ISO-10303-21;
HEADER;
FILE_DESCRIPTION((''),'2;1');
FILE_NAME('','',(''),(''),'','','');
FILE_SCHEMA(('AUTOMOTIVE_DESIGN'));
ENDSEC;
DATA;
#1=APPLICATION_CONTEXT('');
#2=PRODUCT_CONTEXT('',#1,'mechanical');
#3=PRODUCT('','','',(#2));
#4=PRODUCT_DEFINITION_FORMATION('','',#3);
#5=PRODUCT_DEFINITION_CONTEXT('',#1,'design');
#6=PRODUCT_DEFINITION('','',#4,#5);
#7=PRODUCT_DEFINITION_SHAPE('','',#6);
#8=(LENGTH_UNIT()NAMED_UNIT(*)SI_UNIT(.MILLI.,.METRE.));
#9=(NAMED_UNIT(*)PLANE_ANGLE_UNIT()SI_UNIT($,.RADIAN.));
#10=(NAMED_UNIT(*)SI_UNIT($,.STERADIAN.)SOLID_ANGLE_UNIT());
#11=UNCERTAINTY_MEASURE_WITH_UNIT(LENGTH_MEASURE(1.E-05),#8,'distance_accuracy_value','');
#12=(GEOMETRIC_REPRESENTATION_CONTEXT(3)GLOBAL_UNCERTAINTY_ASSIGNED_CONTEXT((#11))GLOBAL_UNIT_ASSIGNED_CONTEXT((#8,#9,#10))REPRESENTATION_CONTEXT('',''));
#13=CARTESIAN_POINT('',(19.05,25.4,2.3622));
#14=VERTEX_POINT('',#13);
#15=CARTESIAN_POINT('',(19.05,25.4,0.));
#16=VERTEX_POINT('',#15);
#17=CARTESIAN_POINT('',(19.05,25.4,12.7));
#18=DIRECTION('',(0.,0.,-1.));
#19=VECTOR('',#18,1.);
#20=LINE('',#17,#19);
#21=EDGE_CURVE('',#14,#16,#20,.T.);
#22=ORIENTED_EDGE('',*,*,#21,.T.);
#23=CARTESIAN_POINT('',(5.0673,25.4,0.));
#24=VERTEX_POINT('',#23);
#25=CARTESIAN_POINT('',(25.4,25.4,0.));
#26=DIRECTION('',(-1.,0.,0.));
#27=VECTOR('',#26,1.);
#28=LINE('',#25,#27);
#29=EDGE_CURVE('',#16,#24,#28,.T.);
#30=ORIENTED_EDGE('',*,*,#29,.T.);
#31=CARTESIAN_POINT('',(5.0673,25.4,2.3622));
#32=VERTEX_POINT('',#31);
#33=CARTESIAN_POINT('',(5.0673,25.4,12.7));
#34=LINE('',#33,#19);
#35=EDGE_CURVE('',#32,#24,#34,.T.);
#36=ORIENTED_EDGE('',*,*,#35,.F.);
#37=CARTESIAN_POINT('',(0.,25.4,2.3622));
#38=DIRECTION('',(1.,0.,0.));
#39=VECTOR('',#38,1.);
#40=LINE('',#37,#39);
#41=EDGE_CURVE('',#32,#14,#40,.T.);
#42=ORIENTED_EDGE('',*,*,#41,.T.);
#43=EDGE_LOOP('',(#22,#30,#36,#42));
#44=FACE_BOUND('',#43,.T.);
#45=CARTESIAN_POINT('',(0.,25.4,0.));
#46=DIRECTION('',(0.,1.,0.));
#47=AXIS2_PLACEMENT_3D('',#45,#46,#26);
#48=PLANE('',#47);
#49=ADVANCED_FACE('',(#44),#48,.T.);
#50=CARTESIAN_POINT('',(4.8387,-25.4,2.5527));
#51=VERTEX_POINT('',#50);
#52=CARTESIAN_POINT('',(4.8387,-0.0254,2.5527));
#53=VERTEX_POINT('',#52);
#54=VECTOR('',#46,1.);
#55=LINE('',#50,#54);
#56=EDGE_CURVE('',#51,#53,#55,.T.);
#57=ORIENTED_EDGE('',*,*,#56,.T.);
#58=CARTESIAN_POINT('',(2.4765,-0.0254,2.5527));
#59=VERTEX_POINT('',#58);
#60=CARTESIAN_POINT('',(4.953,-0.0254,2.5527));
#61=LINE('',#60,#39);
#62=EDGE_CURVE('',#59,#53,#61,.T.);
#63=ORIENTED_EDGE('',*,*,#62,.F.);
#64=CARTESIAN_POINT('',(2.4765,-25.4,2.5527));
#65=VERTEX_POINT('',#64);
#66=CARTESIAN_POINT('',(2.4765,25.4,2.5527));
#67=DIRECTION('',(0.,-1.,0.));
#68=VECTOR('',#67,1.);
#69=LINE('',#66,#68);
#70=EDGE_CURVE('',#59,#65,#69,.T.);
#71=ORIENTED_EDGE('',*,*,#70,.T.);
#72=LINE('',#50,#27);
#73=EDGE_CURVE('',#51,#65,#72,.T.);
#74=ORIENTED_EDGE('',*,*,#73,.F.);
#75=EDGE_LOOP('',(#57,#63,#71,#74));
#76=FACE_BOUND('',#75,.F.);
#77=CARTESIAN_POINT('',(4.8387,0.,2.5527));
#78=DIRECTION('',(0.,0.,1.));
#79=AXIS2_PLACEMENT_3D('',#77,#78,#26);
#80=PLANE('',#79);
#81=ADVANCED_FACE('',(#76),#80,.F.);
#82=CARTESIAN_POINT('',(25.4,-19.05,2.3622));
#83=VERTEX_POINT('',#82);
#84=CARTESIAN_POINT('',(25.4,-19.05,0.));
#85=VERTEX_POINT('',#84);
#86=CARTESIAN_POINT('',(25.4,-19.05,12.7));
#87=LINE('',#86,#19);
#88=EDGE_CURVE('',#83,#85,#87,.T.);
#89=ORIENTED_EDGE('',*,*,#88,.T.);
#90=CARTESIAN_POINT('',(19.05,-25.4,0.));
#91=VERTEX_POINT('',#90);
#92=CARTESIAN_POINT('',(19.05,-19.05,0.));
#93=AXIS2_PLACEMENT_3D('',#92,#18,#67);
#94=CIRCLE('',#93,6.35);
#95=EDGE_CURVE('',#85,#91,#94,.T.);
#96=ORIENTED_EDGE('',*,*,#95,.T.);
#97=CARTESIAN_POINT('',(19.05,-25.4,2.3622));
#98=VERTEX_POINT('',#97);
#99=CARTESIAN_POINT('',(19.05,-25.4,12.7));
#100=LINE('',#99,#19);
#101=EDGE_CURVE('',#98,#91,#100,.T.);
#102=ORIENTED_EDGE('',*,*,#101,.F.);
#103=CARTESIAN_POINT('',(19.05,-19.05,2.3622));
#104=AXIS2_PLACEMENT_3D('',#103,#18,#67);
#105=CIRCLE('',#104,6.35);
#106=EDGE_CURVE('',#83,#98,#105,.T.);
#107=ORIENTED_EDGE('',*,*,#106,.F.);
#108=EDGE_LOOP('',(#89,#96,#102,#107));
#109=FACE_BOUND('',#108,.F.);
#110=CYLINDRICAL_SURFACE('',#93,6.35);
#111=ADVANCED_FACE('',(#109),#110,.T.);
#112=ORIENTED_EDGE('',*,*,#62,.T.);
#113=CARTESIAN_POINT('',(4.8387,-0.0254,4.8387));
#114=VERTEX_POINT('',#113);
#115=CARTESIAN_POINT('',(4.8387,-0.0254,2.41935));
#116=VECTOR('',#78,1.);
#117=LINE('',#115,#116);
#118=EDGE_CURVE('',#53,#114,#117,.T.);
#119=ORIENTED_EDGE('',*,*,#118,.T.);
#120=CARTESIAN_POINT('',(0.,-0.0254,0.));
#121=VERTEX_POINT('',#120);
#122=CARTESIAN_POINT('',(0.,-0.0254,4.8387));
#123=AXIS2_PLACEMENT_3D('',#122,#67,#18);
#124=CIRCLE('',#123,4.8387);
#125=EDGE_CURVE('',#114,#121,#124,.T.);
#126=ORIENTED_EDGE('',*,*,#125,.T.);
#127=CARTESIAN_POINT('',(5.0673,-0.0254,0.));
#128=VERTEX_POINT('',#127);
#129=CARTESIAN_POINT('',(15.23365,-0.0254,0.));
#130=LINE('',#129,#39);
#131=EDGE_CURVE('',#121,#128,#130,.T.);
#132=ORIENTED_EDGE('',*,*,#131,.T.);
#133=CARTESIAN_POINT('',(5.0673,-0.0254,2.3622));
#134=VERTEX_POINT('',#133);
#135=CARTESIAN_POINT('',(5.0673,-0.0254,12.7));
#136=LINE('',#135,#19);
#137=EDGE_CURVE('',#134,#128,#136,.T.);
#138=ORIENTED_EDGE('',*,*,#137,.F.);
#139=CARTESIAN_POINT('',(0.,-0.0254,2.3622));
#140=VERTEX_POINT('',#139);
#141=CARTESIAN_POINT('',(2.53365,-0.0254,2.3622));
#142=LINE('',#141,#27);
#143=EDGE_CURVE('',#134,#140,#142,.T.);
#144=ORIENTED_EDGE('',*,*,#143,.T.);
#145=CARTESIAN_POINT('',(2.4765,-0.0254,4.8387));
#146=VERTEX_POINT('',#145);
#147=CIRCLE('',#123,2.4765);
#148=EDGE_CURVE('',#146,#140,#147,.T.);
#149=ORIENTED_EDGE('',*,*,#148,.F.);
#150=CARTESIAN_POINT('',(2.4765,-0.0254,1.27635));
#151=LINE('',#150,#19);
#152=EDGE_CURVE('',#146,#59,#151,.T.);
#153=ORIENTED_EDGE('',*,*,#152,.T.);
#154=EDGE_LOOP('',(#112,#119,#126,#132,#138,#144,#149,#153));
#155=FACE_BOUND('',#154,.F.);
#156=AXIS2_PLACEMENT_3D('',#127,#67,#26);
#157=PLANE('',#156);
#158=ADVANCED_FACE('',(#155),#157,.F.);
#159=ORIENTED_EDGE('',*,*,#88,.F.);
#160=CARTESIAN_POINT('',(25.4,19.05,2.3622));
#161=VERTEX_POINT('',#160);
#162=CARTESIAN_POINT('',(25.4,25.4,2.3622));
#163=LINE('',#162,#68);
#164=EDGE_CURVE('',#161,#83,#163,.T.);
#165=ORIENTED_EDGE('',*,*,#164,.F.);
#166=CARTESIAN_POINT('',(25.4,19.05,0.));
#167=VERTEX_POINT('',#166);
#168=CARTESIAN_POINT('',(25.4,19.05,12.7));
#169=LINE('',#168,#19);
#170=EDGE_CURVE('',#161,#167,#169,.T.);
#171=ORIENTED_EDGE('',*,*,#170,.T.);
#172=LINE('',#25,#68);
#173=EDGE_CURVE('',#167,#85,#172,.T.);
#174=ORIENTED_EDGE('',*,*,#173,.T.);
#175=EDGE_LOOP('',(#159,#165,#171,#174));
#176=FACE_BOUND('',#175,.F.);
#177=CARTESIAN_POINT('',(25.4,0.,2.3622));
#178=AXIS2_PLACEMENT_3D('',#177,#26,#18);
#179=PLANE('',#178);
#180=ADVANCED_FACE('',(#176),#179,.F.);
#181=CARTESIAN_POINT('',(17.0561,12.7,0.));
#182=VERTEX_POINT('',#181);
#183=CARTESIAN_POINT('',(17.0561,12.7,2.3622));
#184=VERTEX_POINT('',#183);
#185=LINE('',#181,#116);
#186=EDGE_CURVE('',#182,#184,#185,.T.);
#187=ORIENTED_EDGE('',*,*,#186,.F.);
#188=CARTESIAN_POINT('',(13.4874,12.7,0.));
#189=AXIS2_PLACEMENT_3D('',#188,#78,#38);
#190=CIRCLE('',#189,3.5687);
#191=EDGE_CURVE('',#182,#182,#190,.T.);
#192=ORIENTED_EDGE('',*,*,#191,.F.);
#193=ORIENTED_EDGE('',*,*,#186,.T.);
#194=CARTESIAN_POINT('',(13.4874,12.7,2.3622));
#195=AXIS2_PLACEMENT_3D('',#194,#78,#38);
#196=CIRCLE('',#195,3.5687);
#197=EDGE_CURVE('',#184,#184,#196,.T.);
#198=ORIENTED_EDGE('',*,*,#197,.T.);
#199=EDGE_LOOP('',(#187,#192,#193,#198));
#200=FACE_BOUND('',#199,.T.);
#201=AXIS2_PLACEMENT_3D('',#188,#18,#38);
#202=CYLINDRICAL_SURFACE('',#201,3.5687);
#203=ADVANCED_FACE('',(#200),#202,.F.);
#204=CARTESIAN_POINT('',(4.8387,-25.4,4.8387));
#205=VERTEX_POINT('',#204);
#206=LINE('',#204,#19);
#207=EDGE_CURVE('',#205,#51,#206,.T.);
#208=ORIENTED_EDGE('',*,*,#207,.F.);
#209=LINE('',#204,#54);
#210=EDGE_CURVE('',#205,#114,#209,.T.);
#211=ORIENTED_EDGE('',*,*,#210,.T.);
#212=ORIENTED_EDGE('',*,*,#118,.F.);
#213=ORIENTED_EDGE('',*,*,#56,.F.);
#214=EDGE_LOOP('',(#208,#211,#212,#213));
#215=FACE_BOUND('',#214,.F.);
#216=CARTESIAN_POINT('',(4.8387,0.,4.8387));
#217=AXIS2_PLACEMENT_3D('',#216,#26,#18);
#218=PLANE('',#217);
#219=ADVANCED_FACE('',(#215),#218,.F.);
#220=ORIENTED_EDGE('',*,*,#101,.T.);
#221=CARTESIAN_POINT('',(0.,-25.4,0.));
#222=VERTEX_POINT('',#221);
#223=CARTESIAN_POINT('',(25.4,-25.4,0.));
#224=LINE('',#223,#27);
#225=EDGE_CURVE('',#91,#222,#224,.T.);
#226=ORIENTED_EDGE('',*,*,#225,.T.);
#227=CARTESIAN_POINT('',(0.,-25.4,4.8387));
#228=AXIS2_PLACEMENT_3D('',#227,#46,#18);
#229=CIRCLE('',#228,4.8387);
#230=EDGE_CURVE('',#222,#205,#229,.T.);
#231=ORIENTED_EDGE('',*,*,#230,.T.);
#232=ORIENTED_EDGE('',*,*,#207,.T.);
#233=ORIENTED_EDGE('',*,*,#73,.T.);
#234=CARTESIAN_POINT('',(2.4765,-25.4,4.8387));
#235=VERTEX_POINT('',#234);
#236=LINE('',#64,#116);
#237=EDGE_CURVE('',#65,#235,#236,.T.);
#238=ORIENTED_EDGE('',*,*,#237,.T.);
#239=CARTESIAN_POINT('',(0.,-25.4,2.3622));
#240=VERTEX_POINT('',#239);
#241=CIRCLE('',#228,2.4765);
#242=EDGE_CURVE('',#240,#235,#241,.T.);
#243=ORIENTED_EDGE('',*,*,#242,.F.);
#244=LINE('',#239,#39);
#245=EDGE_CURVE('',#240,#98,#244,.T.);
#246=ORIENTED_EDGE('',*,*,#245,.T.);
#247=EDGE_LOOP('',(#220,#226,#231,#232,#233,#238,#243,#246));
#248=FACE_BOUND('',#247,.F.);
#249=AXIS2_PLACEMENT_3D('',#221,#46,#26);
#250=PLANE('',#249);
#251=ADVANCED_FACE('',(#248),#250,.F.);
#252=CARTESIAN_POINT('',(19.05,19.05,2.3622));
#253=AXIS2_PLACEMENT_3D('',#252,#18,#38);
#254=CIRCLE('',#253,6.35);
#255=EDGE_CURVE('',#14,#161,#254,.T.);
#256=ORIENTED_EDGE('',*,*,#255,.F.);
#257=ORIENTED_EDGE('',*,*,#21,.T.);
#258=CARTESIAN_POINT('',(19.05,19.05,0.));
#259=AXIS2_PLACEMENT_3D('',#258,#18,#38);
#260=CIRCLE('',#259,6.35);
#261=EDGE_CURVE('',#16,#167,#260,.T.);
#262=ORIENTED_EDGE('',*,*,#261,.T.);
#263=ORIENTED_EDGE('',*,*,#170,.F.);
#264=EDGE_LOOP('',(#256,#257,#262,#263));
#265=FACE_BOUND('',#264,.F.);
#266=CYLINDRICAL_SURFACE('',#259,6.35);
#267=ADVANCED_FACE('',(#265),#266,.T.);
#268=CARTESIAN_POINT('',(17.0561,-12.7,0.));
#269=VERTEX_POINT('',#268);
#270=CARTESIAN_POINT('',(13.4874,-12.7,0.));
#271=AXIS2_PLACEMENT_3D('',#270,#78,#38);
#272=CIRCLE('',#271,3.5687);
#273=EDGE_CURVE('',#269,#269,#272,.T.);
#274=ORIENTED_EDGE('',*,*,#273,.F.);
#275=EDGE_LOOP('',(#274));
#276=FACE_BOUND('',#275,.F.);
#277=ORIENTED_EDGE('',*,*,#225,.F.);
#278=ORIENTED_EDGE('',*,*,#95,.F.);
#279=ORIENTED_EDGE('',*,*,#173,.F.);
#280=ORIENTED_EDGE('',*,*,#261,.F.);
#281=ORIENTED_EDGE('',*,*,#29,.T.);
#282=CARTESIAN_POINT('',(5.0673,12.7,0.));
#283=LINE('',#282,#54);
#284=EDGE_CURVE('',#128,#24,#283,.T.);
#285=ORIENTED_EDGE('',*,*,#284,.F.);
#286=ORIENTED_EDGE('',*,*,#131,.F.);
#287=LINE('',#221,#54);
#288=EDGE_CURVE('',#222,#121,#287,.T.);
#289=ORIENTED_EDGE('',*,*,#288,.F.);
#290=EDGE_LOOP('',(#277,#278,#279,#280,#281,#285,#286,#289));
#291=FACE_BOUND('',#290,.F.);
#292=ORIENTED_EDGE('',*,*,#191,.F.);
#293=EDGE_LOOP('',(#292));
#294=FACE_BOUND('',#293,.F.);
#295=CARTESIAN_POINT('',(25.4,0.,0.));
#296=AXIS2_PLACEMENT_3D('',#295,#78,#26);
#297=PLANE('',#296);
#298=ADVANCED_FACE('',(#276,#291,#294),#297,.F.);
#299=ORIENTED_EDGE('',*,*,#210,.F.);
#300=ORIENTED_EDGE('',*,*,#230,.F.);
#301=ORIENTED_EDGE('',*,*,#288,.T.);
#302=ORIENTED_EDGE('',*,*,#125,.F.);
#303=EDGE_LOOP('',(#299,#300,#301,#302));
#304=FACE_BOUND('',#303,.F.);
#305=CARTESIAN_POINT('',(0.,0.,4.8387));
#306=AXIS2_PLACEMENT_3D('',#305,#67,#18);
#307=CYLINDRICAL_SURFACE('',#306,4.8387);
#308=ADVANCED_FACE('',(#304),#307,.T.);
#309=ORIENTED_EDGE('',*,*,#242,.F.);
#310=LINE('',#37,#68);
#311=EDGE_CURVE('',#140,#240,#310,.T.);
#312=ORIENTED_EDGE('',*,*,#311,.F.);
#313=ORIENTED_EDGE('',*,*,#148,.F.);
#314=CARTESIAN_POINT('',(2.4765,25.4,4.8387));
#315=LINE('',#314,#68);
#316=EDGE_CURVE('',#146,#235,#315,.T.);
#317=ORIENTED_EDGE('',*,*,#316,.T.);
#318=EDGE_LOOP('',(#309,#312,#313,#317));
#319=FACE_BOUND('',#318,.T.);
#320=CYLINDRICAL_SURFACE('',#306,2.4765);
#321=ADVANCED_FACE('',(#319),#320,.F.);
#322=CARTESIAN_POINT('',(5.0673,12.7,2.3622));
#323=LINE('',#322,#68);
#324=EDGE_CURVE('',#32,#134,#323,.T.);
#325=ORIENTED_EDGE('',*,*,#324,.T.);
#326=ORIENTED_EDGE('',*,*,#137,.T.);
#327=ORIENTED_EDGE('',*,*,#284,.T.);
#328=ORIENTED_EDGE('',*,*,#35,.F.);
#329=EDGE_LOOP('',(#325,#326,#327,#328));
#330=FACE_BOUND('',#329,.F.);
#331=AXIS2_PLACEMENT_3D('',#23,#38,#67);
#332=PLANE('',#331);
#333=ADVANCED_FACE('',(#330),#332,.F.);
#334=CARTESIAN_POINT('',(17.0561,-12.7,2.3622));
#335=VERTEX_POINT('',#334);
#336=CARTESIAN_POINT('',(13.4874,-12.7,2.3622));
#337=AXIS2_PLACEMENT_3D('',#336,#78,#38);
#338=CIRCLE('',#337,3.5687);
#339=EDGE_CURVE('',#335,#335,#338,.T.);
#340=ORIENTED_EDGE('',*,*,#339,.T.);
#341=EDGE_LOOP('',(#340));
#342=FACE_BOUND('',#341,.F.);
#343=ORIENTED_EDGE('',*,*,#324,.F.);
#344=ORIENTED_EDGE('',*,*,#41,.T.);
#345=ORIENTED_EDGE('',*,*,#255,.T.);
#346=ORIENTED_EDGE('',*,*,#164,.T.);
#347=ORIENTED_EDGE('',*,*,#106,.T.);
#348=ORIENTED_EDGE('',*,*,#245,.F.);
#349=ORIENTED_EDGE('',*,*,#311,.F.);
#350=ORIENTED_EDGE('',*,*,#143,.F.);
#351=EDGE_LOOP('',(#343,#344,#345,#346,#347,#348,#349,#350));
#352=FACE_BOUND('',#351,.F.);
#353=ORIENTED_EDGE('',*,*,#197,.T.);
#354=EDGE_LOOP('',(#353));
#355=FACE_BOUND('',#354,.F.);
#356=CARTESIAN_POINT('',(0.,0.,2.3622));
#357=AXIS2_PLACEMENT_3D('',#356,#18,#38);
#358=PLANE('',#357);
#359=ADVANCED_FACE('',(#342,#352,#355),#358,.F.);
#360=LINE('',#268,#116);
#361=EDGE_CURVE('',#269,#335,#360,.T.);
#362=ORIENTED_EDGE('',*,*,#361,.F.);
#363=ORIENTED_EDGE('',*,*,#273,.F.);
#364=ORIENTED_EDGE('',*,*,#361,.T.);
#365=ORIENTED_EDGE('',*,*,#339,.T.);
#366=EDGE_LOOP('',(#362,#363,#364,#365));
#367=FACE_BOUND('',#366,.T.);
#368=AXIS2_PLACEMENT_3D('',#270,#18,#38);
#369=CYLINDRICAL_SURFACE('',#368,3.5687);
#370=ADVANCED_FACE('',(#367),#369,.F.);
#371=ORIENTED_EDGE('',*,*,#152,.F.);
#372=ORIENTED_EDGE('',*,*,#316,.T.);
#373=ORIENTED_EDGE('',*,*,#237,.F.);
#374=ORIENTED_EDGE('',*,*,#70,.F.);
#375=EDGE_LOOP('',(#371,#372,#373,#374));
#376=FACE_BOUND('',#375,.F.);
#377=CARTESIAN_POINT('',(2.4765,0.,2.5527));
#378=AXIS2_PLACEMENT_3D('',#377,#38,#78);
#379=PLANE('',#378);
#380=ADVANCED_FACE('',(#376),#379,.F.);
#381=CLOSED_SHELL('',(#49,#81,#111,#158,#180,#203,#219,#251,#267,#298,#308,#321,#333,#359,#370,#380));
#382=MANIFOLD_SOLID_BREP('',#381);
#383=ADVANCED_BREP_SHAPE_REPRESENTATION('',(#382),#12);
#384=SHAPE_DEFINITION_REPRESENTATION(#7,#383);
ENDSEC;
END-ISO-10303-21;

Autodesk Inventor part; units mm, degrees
sketch "Sketch_1" plane through (0, 0, 0) normal (0, 1, 0) x (-1, 0, 0)
  arc A0 (0, 0) -> (-4.8387, 4.8387) centre (0, 4.8387) ccw
  line L0 (-4.8387, 4.8387) -> (-4.8387, 2.5527)
  line L1 (-4.8387, 2.5527) -> (-2.4765, 2.5527)
  line L2 (-2.4765, 2.5527) -> (-2.4765, 4.8387)
  arc A1 (0, 2.3622) -> (-2.4765, 4.8387) centre (0, 4.8387) ccw
  line L3 (0, 2.3622) -> (-25.4, 2.3622)
  line L4 (-25.4, 2.3622) -> (-25.4, 0)
  line L5 (-25.4, 0) -> (0, 0)
extrude "Extrusion1" add sketch "Sketch_1" along normal mid plane 50.8
sketch "Sketch_2" plane through (0, 0, 0) normal (0, 0, 1) x (1, 0, 0)
  line L0 (-25.4, 50.8) -> (-25.4, -50.8)
  line L1 (-25.4, -50.8) -> (50.8, -50.8)
  line L2 (50.8, -50.8) -> (50.8, 50.8)
  line L3 (50.8, 50.8) -> (-25.4, 50.8)
  line L4 (-12.7, -0.0254) -> (-12.7, -25.4)
  line L5 (-12.7, -25.4) -> (19.05, -25.4)
  arc A0 (19.05, -25.4) -> (25.4, -19.05) centre (19.05, -19.05) ccw
  line L6 (25.4, -19.05) -> (25.4, 19.05)
  arc A1 (25.4, 19.05) -> (19.05, 25.4) centre (19.05, 19.05) ccw
  line L7 (19.05, 25.4) -> (5.0673, 25.4)
  line L8 (5.0673, 25.4) -> (5.0673, -0.0254)
  line L9 (5.0673, -0.0254) -> (-12.7, -0.0254)
extrude "Extrusion2" cut sketch "Sketch_2" along normal mid plane 25.4
sketch "Sketch_4" plane through (0, 0, 0) normal (0, 0, 1) x (1, 0, 0)
  circle A0 centre (13.4874, 12.7) radius 3.5687
extrude "Extrusion3" cut sketch "Sketch_4" along normal mid plane 4.7244
sketch "Sketch_5" plane through (0, 0, 0) normal (0, 0, 1) x (1, 0, 0)
  circle A0 centre (13.4874, -12.7) radius 3.5687
extrude "Extrusion4" cut sketch "Sketch_5" along normal mid plane 4.7244
ref_plane "to_left_XY" through (0, 0, 4.8387) normal (0, 1, 0) x (1, 0, 0)
ref_plane "to_left_YZ" through (0, 0, 4.8387) normal (1, 0, 0) x (0, 0, -1)
ref_plane "to_left_ZX" through (0, 0, 4.8387) normal (0, 0, -1) x (0, 1, 0)
properties part number "2838_right"
